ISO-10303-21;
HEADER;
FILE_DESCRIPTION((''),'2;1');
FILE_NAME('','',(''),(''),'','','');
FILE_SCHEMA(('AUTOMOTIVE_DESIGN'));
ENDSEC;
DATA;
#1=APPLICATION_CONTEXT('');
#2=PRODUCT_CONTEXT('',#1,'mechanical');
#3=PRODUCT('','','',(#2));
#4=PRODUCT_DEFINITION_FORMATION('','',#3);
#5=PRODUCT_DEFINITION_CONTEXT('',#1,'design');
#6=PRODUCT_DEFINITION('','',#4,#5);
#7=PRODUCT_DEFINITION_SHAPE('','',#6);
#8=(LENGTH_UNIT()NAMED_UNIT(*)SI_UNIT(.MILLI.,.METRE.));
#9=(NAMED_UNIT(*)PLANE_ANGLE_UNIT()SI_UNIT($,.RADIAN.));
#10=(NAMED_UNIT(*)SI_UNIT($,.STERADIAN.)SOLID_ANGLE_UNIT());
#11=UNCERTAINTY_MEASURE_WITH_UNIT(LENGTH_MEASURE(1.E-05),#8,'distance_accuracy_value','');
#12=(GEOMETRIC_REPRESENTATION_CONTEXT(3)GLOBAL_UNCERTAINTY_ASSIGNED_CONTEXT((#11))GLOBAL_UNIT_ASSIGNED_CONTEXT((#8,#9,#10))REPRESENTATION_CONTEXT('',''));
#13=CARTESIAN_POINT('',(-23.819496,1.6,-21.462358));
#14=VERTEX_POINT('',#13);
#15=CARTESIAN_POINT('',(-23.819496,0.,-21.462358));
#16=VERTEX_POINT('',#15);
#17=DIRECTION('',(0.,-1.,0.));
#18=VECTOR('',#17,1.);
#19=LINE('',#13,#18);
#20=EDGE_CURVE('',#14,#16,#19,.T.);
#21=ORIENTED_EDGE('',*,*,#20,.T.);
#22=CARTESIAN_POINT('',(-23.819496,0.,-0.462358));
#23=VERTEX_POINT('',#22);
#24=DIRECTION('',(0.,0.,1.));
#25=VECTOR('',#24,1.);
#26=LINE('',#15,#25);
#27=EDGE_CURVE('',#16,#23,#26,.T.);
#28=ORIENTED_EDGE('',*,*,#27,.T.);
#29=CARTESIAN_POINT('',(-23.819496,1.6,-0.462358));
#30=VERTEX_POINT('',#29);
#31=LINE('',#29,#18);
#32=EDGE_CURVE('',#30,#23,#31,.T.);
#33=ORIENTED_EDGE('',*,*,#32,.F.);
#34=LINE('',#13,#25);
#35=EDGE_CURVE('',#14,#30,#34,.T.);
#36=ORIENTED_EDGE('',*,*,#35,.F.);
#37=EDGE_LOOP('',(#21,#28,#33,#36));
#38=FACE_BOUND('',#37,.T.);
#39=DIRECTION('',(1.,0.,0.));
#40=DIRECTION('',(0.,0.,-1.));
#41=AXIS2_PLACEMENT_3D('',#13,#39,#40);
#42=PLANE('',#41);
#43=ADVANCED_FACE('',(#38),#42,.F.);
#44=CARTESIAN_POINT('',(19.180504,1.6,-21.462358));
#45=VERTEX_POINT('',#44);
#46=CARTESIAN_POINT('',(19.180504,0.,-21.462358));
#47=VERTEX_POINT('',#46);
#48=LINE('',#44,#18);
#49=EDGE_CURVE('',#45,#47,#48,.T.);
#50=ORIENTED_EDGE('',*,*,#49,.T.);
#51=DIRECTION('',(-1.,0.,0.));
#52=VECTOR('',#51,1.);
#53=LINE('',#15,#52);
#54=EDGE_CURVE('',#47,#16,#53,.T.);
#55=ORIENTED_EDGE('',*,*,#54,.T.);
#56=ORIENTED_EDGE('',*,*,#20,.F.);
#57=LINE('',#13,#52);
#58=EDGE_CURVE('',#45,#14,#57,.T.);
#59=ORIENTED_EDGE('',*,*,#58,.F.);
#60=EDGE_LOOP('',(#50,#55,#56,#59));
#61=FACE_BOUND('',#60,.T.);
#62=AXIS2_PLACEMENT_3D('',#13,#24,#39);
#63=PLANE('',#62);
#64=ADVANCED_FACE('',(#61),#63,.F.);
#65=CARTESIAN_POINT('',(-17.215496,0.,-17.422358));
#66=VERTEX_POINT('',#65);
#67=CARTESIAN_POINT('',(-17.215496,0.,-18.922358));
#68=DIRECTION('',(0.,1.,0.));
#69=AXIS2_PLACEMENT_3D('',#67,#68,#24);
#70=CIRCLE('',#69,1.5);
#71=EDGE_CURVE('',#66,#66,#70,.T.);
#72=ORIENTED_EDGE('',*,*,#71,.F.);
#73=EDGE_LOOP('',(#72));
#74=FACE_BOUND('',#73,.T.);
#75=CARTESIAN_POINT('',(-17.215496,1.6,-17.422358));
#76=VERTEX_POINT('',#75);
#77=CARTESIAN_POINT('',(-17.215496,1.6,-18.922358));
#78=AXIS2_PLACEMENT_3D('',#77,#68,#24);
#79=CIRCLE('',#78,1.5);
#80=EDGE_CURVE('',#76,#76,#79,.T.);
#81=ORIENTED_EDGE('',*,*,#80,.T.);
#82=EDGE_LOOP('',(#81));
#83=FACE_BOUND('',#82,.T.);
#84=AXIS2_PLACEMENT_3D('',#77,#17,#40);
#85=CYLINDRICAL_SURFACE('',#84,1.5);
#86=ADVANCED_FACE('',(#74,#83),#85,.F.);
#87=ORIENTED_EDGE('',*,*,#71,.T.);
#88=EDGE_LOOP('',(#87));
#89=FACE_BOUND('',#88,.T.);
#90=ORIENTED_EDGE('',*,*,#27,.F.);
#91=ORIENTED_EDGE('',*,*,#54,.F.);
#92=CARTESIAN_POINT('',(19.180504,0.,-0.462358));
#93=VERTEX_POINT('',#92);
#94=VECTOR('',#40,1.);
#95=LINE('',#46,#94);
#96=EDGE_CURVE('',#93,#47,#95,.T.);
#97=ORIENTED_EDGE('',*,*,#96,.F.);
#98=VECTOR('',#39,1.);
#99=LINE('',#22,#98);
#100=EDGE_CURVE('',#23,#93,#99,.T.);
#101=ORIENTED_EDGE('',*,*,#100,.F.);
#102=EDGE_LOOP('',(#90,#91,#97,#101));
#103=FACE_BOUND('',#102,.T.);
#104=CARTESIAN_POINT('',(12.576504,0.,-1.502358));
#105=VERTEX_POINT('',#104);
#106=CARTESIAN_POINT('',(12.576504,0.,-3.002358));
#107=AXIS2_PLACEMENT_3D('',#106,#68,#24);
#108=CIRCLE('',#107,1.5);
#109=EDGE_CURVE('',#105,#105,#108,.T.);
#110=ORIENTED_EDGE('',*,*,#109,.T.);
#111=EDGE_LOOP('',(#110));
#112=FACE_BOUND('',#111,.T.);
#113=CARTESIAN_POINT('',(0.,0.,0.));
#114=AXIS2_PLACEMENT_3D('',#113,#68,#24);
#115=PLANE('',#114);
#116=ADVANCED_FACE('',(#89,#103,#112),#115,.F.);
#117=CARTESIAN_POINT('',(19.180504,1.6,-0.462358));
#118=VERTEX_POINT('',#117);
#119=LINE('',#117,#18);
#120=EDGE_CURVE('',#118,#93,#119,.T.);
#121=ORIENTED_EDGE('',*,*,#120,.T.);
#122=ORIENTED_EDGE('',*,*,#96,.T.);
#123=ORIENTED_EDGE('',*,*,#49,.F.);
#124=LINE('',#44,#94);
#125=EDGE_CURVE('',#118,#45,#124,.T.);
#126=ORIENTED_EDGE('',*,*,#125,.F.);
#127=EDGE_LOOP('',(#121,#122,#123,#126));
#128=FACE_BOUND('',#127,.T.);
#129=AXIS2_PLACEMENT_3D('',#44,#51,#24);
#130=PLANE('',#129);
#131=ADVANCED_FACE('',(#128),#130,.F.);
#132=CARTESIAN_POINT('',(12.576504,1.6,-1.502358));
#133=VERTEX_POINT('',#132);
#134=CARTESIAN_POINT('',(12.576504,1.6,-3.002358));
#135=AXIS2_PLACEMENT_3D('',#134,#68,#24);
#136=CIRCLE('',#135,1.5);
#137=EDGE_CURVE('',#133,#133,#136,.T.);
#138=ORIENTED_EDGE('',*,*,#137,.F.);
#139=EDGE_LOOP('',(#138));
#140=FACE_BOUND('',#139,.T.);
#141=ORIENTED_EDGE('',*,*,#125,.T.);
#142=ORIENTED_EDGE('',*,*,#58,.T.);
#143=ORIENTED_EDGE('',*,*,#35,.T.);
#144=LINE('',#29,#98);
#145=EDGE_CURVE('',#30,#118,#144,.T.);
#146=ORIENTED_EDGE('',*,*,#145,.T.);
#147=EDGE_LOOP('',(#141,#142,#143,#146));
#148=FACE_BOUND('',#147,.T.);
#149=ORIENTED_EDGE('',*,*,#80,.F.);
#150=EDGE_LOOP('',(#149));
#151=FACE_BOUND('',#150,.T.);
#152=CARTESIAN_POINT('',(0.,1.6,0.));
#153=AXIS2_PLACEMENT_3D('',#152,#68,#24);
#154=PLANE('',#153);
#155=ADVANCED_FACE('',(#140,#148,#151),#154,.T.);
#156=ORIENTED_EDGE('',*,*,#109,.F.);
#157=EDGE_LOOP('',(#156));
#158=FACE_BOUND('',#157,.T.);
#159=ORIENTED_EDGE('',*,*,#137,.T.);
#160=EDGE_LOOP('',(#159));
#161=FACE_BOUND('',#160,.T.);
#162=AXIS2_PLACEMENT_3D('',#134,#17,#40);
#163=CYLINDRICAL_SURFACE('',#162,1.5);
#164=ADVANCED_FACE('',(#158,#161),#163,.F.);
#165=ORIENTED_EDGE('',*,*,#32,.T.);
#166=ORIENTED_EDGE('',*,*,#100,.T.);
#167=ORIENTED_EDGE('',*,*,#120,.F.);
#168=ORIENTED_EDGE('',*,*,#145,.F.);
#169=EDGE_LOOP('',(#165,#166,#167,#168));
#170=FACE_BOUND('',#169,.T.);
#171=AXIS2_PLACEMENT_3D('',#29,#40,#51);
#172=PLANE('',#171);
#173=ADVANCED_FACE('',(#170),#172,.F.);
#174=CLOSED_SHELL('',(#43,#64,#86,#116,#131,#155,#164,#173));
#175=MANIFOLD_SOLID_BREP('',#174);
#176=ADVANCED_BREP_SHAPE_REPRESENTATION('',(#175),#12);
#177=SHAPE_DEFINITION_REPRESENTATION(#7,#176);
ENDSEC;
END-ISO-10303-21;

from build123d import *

# Parameters (mm, degrees)
SKETCH1_W           = 43
SKETCH1_H           = 21
SKETCH1_R           = 1.5
BOSS_EXTRUDE3_DEPTH = 1.6


with BuildPart() as part:
    # Sketch1 → Boss-Extrude3 (new body)
    with BuildSketch(Plane(origin=(0, 0, 0), x_dir=(1, 0, 0), z_dir=(0, 1, 0))):
        with Locations((-2.319495713, 10.962358116)):
            Rectangle(SKETCH1_W, SKETCH1_H)
        with Locations((-17.215495713, 18.922358116)):
            Circle(SKETCH1_R, mode=Mode.SUBTRACT)
        with Locations((12.576504287, 3.002358116)):
            Circle(SKETCH1_R, mode=Mode.SUBTRACT)
    extrude(amount=BOSS_EXTRUDE3_DEPTH)


solid = part.part
